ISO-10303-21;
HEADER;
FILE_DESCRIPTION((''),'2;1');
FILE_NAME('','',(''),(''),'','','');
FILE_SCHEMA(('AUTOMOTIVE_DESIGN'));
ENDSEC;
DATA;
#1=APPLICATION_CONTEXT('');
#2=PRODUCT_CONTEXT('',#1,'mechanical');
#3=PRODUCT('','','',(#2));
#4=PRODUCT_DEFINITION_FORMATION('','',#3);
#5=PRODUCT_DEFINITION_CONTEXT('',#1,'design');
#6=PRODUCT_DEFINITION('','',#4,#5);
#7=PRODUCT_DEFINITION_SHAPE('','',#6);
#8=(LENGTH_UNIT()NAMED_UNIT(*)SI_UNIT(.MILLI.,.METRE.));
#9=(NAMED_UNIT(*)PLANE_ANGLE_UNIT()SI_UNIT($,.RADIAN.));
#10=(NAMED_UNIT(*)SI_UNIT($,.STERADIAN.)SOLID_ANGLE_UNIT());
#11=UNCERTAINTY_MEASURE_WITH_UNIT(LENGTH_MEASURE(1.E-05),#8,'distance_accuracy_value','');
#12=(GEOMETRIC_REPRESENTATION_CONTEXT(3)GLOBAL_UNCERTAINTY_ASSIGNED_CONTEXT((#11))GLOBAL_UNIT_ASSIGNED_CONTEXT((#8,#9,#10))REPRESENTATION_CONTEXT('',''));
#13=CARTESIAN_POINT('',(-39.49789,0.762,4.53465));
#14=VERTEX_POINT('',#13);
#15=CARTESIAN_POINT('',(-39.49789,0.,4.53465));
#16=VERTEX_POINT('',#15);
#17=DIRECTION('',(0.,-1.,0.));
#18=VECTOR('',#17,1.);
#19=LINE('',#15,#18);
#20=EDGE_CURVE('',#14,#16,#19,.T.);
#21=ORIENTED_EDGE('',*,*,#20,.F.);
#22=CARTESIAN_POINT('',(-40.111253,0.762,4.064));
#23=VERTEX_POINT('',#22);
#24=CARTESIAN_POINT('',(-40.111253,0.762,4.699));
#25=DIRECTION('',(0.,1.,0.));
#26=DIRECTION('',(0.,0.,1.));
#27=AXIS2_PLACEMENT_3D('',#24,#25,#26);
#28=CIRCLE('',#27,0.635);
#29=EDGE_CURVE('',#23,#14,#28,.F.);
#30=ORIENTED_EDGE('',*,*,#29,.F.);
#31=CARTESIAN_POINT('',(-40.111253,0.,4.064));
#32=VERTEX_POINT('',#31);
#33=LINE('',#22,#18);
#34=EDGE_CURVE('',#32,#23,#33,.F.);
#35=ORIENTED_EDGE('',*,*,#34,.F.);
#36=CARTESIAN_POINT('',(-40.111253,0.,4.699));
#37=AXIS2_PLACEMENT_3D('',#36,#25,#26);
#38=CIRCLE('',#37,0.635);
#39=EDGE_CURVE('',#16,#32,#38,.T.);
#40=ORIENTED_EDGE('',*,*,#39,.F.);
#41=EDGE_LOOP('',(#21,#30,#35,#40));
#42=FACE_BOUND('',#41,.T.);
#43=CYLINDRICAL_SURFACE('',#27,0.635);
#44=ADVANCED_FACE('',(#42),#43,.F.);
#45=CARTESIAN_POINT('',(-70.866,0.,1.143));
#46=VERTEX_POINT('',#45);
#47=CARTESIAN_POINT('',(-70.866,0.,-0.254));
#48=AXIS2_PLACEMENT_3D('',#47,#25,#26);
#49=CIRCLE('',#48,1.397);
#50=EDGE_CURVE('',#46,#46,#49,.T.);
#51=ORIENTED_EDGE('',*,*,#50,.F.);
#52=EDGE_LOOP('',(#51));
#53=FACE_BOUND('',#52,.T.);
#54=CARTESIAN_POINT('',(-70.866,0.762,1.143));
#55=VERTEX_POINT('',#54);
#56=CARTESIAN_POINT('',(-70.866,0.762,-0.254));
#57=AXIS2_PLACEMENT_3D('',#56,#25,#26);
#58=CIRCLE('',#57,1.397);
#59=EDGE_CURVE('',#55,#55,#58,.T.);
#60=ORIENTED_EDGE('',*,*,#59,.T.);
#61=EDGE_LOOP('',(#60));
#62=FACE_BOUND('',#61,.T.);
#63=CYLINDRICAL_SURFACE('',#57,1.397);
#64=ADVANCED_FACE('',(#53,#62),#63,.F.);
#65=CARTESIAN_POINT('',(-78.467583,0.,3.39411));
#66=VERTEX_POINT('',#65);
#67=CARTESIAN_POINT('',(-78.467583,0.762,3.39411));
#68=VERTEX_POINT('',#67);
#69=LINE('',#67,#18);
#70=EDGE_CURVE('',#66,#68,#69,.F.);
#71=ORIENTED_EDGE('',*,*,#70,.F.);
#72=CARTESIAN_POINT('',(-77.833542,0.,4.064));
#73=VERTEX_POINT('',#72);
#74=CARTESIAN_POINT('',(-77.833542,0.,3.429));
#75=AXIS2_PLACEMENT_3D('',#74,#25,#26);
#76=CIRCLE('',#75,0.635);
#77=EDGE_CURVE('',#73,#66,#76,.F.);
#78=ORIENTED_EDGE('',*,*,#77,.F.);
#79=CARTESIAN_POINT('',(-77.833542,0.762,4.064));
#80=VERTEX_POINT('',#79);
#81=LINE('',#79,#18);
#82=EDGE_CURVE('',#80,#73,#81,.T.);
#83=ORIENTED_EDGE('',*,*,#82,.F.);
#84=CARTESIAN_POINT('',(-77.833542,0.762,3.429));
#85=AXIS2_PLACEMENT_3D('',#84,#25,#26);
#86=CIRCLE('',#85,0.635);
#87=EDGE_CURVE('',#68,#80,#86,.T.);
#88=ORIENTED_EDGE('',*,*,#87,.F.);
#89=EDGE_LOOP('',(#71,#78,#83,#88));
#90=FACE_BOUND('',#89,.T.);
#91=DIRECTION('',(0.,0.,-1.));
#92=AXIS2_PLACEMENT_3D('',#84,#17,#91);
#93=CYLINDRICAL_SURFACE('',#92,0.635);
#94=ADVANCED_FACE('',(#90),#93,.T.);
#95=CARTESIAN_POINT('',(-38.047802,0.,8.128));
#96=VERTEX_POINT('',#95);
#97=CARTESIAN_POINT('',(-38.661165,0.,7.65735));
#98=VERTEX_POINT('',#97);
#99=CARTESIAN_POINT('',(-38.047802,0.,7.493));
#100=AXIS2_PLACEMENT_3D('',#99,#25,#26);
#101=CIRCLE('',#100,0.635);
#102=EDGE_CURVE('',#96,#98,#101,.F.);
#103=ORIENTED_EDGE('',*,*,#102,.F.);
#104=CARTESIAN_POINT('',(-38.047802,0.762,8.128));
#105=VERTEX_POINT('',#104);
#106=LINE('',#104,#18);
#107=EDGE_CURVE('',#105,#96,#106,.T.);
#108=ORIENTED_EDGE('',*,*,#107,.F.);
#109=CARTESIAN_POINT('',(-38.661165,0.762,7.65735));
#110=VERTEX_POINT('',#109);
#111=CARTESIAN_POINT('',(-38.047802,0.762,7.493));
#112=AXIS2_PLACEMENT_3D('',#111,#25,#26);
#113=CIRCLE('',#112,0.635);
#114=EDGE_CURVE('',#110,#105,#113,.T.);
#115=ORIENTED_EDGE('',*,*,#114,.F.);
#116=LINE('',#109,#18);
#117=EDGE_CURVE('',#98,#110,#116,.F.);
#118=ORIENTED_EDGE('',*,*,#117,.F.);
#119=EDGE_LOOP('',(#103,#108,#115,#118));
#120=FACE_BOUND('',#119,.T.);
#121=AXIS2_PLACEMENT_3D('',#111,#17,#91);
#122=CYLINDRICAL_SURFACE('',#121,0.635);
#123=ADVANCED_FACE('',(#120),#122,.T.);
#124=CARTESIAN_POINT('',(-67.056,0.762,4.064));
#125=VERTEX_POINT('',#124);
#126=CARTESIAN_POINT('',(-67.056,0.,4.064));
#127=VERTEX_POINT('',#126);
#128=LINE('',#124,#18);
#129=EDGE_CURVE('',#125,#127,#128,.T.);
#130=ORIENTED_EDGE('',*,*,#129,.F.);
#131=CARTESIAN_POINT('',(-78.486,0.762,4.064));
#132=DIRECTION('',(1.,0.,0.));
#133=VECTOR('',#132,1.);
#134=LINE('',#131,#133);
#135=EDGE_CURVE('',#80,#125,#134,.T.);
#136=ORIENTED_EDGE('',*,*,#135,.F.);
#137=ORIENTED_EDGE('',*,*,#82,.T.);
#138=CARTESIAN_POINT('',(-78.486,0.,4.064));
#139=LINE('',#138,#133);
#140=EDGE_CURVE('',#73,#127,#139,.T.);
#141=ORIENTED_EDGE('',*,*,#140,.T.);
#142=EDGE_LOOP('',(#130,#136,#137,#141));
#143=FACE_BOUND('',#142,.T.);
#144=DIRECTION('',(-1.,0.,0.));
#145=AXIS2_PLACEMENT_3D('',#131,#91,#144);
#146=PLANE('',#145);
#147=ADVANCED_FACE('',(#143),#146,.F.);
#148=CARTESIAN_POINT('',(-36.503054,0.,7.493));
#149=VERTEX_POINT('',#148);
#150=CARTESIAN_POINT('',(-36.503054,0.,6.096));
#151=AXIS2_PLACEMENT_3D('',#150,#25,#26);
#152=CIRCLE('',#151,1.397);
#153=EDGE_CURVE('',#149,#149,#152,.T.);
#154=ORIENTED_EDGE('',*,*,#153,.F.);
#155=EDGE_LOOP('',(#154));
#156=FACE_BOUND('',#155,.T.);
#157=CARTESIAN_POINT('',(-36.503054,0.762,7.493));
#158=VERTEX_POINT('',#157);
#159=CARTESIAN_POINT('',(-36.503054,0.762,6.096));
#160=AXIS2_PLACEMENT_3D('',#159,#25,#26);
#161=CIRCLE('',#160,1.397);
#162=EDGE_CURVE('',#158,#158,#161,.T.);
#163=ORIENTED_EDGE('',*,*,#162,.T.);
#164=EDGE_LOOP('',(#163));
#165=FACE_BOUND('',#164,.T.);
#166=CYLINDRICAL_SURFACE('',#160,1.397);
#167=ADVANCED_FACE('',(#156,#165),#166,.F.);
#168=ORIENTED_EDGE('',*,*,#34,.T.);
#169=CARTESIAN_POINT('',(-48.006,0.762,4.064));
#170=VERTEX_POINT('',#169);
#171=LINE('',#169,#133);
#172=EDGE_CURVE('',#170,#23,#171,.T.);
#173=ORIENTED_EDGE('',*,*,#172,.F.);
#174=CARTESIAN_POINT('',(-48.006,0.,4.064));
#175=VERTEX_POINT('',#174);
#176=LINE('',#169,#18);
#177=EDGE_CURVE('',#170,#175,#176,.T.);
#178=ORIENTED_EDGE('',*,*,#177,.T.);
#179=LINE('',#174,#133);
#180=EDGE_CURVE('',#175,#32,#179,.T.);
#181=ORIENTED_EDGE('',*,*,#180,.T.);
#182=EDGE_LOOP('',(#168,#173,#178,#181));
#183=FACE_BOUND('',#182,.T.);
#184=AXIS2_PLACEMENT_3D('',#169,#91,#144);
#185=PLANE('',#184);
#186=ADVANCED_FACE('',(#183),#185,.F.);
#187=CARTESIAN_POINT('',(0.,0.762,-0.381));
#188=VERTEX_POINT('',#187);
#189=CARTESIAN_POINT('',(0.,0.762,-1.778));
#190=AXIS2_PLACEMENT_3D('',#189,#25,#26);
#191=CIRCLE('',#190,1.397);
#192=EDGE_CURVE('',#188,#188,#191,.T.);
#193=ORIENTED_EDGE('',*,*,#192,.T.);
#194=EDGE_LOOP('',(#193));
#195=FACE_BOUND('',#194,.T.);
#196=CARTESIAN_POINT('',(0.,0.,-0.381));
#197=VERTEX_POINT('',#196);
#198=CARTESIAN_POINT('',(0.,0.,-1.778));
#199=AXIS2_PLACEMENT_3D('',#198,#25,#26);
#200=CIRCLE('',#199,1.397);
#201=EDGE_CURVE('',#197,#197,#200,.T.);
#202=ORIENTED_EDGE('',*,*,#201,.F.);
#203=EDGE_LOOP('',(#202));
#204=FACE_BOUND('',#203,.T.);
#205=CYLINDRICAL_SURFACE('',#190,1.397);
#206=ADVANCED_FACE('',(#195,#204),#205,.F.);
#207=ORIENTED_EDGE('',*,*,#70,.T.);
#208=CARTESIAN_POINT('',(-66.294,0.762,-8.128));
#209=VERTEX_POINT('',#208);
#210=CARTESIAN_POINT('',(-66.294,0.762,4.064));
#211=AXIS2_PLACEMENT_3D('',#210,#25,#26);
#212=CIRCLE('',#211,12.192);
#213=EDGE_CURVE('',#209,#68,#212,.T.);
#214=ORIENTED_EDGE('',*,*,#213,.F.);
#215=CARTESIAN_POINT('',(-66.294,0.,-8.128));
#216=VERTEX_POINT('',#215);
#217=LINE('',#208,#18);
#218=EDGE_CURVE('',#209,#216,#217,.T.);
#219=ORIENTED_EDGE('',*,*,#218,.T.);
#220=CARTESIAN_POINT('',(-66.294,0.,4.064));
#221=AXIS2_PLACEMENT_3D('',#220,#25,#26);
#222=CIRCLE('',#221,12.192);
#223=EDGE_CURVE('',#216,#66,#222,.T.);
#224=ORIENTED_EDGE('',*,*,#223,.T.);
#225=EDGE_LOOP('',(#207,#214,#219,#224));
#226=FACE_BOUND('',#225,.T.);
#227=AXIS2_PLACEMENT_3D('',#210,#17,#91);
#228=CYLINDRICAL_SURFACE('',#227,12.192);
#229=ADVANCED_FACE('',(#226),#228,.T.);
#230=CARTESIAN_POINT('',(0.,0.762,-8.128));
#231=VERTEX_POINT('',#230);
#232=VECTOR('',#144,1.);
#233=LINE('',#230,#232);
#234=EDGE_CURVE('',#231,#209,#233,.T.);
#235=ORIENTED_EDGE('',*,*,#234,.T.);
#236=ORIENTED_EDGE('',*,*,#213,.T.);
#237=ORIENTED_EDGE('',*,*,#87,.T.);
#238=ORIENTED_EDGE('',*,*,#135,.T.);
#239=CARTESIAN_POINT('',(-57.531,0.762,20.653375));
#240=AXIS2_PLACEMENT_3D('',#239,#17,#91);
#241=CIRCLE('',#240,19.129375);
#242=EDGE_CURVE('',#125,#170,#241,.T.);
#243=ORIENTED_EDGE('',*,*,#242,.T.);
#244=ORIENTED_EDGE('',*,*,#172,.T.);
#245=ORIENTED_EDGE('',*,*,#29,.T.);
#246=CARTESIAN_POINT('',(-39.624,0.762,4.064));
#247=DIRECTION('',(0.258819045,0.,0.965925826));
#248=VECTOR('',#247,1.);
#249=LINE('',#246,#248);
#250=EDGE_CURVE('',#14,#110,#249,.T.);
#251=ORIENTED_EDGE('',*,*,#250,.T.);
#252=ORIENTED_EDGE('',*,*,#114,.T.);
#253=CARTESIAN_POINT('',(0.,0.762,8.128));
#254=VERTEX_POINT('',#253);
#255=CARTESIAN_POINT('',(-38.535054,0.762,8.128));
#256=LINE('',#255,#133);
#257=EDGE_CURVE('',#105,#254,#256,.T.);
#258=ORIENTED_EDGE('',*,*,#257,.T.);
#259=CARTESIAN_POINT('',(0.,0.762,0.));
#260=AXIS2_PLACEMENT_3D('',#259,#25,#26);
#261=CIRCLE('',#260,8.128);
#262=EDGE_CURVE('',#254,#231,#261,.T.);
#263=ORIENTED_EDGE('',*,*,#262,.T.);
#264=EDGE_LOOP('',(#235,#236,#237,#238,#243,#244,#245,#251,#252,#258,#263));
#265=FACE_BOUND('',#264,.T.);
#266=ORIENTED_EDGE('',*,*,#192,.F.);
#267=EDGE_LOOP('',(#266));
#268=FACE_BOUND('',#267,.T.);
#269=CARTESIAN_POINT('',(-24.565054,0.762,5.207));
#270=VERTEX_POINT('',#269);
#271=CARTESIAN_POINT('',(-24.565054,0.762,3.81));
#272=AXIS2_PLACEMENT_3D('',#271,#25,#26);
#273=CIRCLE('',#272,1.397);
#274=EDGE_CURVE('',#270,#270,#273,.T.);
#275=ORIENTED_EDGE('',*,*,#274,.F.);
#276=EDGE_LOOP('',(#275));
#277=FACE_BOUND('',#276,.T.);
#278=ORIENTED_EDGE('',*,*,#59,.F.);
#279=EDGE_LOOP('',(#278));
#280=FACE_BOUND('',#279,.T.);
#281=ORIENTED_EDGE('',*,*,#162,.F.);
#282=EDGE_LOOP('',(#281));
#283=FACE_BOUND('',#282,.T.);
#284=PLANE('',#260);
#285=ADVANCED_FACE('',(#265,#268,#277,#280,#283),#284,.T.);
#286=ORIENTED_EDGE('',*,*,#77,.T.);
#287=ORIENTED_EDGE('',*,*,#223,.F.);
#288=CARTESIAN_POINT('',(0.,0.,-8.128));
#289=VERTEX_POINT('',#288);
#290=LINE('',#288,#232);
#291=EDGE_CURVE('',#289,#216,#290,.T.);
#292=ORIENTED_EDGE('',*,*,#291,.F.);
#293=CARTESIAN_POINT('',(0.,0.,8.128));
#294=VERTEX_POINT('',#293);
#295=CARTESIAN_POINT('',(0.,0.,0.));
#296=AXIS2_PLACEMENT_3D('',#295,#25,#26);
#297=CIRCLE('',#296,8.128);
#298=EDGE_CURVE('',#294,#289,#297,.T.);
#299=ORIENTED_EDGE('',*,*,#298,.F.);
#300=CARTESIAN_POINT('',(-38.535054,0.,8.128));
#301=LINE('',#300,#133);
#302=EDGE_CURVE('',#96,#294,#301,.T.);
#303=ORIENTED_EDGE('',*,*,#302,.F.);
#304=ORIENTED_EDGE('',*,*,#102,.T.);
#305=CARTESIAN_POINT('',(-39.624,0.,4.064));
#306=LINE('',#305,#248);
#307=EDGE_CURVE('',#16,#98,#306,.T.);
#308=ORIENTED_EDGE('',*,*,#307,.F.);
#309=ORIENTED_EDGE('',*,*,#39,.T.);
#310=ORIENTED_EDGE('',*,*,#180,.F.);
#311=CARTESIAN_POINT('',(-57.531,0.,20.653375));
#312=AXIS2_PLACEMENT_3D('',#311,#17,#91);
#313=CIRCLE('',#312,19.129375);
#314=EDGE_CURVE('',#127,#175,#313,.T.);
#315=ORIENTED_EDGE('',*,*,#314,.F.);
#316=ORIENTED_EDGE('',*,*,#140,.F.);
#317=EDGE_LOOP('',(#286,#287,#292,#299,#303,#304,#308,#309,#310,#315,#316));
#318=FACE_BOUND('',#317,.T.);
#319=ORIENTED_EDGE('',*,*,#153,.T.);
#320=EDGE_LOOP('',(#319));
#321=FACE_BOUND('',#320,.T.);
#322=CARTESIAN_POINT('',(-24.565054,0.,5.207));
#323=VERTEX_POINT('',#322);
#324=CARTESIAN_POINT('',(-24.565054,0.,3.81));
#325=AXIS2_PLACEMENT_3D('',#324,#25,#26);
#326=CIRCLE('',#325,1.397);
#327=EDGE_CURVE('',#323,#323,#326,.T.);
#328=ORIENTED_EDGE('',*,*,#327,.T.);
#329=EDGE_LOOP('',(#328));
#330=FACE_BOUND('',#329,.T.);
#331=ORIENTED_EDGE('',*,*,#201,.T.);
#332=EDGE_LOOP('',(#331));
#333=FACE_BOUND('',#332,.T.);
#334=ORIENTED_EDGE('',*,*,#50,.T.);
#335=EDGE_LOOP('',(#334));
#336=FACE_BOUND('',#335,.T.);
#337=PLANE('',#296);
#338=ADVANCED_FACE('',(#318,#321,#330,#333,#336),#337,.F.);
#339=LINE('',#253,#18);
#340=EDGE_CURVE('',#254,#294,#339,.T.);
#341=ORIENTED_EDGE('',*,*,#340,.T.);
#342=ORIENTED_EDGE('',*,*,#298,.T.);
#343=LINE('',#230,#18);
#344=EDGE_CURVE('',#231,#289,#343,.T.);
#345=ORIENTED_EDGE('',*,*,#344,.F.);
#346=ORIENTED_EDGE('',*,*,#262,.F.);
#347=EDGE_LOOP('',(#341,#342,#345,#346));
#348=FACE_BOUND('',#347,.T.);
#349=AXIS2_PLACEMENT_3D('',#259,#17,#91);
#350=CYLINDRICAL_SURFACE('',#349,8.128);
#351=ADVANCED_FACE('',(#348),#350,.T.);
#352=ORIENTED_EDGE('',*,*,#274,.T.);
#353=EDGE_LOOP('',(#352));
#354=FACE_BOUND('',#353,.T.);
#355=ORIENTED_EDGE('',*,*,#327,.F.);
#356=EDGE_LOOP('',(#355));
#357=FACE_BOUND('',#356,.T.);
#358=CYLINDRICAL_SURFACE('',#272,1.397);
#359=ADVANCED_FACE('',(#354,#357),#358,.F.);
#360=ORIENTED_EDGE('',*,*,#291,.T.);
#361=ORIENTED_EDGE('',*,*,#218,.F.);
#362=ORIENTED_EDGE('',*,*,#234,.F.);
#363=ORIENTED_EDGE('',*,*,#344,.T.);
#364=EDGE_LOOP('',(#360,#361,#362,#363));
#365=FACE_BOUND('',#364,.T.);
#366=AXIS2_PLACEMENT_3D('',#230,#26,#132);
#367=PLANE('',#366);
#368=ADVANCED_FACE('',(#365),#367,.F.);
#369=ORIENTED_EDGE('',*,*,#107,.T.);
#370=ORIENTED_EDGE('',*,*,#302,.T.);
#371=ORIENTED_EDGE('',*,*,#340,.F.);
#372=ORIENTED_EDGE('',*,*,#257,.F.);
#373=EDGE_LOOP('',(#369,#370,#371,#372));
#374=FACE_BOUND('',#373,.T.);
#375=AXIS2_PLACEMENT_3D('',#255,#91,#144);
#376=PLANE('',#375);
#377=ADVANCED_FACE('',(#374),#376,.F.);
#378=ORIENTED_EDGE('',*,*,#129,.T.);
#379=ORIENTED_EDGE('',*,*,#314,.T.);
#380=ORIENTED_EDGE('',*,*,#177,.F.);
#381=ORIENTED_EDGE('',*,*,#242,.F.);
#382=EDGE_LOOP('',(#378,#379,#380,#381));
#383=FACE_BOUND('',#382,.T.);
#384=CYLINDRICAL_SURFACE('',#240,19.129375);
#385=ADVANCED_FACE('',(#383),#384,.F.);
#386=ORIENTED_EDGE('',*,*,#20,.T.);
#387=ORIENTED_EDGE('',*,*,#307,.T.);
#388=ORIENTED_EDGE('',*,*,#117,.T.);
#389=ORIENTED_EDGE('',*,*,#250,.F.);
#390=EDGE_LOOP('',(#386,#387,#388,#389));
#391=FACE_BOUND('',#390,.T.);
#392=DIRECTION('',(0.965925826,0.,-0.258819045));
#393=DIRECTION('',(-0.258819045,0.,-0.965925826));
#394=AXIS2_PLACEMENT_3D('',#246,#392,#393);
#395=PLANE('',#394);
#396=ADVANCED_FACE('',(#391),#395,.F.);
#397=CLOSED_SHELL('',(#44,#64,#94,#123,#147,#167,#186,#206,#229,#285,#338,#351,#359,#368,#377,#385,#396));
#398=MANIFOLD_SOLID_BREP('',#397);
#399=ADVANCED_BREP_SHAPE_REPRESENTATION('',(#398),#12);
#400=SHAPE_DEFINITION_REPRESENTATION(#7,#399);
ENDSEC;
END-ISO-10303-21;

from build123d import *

# Parameters (mm, degrees)
BOSS_EXTRUDE1_DEPTH         = 0.762
F_3_8_0_11_DIAMETER_HOLE1_D = 2.794
FILLET1_R                   = 0.635


with BuildPart() as part:
    # Sketch1 → Boss-Extrude1 (new body)
    with BuildSketch(Plane(origin=(0, 0, 0), x_dir=(1, 0, 0), z_dir=(0, 1, 0))):
        with BuildLine():
            Line((0, 8.128), (-66.294, 8.128))
            ThreePointArc((-66.294, 8.128), (-74.915045876, 4.557045876), (-78.486, -4.064))
            Line((-78.486, -4.064), (-67.056, -4.064))
            ThreePointArc((-67.056, -4.064), (-57.531, -1.524), (-48.006, -4.064))
            Line((-48.006, -4.064), (-39.624, -4.064))
            Line((-39.624, -4.064), (-38.535054482, -8.128))
            Line((-38.535054482, -8.128), (0, -8.128))
            ThreePointArc((0, -8.128), (8.128, 0), (0, 8.128))
        make_face()
    extrude(amount=BOSS_EXTRUDE1_DEPTH)

    # 3/8 (0.11) Diameter Hole1 (through all)
    with Locations(Plane(origin=(0, 0.762, 0), x_dir=(1, 0, 0), z_dir=(0, 1, 0))):
        with Locations((-70.866, 0.254), (-36.503054482, -6.096), (-24.565054482, -3.81), (0, 1.778)):
            Hole(F_3_8_0_11_DIAMETER_HOLE1_D / 2)

    # Fillet1
    fillet1_edges = [part.edges().sort_by_distance(p)[0] for p in [
        (-38.535054482, 0.381, 8.128),
        (-39.624, 0.381, 4.064),
        (-78.486, 0.381, 4.064),
    ]]
    fillet(fillet1_edges, radius=FILLET1_R)


solid = part.part
